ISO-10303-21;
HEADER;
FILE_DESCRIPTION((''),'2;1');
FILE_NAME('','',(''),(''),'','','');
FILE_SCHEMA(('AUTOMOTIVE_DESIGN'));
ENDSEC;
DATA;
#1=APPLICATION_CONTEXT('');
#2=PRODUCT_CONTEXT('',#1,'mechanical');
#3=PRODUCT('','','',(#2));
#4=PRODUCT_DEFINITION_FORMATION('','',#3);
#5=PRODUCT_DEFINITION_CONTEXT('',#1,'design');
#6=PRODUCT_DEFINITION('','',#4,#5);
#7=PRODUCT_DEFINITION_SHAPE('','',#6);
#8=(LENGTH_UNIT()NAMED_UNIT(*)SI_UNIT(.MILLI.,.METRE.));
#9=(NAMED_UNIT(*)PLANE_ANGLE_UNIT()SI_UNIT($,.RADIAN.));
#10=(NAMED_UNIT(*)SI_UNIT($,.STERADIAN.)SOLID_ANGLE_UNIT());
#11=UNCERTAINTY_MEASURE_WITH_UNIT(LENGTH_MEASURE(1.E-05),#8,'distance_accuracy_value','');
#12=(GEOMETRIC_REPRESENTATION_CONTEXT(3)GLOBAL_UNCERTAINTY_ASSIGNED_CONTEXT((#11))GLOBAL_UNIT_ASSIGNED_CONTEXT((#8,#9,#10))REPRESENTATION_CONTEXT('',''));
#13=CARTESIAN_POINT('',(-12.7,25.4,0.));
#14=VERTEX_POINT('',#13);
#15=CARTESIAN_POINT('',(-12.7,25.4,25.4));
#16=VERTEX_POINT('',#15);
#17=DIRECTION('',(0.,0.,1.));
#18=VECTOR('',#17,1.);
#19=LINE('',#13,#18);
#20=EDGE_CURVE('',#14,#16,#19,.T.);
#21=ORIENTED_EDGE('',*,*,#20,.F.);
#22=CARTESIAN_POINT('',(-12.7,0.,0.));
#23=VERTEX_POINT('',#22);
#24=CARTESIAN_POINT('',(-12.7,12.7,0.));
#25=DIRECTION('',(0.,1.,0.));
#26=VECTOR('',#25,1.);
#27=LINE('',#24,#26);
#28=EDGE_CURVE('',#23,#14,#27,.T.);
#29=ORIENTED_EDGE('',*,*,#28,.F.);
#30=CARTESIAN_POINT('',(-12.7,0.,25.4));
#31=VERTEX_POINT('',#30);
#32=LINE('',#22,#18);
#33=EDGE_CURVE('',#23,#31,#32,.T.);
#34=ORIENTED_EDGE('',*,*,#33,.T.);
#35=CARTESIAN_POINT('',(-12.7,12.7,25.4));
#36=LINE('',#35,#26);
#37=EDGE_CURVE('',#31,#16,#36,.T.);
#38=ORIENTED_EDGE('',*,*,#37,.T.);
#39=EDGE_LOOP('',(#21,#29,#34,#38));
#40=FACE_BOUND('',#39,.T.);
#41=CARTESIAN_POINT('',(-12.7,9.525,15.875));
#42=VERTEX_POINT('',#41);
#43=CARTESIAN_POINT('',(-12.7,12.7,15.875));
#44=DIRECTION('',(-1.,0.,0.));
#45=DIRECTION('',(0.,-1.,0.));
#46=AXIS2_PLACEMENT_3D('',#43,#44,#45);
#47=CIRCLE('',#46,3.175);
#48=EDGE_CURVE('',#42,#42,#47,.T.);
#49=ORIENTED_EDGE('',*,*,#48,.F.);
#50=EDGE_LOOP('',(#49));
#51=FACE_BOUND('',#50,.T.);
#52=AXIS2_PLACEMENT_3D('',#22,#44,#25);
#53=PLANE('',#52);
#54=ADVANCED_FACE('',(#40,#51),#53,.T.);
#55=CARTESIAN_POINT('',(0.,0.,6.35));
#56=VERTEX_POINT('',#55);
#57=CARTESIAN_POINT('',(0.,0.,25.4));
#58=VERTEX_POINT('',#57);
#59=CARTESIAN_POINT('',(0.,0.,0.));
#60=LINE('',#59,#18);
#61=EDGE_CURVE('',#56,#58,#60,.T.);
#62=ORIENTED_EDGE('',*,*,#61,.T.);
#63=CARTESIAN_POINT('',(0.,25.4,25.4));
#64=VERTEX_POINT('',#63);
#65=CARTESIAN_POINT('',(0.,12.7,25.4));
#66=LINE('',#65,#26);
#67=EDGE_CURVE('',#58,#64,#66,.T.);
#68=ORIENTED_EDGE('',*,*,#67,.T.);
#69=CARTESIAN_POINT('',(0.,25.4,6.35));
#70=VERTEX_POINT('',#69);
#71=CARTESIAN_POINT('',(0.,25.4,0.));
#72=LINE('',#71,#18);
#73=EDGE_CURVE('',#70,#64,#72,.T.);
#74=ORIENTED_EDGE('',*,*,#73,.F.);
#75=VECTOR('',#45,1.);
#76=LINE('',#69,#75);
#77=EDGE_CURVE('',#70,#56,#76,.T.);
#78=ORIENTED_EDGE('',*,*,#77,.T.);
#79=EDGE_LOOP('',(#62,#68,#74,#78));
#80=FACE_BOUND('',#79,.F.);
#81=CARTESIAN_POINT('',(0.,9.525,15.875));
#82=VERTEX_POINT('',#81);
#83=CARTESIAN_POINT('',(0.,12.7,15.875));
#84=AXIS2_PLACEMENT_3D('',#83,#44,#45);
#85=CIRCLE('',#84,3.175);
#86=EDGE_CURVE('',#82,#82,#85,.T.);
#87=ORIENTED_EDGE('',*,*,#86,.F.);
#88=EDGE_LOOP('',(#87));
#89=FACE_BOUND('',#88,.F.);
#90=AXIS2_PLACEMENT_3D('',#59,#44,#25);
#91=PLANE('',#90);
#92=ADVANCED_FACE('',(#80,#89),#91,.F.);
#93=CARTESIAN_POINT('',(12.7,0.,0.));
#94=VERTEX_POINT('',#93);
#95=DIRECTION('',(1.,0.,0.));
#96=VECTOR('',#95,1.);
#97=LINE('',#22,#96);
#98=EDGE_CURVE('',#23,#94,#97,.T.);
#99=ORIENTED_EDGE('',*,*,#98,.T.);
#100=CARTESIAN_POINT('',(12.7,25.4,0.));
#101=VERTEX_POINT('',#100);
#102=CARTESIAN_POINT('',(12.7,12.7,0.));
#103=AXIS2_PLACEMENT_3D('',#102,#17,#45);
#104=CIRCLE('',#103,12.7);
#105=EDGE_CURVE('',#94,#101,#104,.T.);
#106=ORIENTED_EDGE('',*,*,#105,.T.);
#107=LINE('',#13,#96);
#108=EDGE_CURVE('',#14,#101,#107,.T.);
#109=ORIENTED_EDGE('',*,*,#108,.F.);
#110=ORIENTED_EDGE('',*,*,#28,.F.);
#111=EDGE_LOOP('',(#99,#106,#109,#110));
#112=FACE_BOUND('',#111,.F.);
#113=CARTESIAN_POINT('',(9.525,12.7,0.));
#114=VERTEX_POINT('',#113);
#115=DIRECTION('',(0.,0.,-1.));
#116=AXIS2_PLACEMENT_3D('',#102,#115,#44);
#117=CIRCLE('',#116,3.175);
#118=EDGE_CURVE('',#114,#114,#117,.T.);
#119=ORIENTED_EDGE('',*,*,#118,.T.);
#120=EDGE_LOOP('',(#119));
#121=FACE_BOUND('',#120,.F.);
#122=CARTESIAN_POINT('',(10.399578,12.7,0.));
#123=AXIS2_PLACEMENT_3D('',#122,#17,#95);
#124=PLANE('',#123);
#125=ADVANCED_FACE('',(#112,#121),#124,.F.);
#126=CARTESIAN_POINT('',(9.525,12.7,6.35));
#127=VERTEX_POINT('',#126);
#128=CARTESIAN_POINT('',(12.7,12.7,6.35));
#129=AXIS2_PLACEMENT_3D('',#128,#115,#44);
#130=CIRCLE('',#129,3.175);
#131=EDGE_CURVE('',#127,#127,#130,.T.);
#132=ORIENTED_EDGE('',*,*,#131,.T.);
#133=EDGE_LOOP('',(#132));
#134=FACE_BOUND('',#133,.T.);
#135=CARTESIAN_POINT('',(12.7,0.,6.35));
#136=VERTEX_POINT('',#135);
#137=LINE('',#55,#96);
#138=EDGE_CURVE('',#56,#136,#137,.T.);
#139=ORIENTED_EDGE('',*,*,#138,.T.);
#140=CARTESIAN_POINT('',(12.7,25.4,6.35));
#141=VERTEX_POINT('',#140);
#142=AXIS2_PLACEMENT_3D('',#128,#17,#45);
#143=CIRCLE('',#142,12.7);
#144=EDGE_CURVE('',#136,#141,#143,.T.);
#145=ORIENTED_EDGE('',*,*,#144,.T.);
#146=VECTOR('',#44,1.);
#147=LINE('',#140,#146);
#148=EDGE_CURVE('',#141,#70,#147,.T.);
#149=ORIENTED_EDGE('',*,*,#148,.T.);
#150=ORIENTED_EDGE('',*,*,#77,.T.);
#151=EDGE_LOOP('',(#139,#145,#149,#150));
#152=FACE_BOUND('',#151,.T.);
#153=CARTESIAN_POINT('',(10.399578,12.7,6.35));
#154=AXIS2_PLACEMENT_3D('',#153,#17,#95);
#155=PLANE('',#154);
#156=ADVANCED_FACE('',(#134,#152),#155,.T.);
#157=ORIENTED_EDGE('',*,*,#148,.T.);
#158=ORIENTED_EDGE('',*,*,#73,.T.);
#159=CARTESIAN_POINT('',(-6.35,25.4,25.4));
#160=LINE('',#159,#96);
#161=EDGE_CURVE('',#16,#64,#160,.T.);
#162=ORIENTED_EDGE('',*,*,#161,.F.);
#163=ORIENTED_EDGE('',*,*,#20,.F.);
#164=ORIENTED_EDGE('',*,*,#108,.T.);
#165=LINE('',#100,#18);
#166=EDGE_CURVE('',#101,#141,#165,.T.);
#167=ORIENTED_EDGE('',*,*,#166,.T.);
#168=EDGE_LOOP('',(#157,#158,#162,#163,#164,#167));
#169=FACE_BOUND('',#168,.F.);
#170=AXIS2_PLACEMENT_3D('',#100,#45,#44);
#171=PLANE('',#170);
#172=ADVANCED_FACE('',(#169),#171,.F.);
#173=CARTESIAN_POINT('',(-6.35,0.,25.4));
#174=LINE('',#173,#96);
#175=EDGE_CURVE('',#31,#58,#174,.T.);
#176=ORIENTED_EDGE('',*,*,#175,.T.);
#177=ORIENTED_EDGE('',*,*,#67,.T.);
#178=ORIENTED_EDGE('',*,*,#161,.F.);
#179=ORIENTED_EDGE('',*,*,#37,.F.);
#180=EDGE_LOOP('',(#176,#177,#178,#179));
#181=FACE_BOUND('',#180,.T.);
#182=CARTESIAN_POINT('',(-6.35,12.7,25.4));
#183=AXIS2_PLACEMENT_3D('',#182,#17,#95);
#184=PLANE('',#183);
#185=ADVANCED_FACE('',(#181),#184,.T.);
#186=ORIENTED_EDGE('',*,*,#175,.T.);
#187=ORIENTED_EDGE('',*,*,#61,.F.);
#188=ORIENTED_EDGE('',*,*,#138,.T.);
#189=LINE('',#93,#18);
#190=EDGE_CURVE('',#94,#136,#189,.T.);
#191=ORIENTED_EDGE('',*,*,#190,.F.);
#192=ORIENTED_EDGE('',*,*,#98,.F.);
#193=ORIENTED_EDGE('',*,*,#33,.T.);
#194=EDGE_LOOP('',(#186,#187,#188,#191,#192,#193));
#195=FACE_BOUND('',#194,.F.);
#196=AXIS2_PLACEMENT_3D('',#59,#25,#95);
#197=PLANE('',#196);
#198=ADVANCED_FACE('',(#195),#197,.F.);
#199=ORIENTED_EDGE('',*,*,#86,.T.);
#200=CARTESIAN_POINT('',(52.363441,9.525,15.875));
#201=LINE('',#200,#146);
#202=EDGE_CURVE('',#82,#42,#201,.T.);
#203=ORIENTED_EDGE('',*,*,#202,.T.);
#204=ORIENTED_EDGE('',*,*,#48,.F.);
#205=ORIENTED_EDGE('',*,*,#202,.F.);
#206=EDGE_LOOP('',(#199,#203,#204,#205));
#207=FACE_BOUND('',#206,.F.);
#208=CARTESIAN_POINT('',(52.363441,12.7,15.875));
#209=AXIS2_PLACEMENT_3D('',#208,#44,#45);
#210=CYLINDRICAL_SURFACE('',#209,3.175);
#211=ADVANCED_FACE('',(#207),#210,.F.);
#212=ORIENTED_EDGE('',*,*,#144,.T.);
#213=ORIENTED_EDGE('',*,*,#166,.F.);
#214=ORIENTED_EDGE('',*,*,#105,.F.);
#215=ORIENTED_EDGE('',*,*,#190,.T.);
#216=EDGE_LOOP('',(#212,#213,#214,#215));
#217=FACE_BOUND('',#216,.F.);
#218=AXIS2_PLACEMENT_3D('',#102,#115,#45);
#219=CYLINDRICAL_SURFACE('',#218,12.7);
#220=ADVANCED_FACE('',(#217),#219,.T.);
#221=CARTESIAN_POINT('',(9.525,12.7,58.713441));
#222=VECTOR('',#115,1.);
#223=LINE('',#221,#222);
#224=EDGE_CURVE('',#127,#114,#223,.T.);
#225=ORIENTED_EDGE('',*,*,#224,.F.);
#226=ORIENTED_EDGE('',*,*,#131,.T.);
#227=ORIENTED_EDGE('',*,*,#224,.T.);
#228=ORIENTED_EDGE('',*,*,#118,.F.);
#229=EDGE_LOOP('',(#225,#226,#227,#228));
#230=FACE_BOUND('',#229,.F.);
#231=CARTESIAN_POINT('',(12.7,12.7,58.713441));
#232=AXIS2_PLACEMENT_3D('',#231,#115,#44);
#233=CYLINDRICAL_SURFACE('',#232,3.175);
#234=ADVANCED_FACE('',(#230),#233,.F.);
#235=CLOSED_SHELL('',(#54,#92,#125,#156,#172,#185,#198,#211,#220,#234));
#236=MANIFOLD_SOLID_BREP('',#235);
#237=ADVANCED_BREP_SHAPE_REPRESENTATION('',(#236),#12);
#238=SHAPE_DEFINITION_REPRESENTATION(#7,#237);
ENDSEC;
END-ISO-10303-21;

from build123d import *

# Parameters (mm, degrees)
F0_W     = 12.7
F0_H     = 25.4
F1_DEPTH = 25.4
F3_DEPTH = 6.35
F5_D     = 6.35
F7_D     = 6.35


with BuildPart() as f1:
    # F0 (on Top) → F1 (new body)
    with BuildSketch(Plane.XY):
        with Locations((-6.35, 12.7)):
            Rectangle(F0_W, F0_H)
    extrude(amount=F1_DEPTH)

    # F2 (on Top) → F3 (join)
    with BuildSketch(Plane.XY):
        with BuildLine():
            Line((0, 25.4), (0, 0))
            Line((0, 0), (12.7, 0))
            ThreePointArc((12.7, 0), (25.4, 12.7), (12.7, 25.4))
            Line((12.7, 25.4), (0, 25.4))
        make_face()
    extrude(amount=F3_DEPTH)

    # F5 (through all)
    with Locations(Plane.YZ):
        with Locations((12.7, 15.875)):
            Hole(F5_D / 2)

    # F7 (through all)
    with Locations(Plane.XY.offset(6.35)):
        with Locations((12.7, 12.7)):
            Hole(F7_D / 2)


solid = f1.part
